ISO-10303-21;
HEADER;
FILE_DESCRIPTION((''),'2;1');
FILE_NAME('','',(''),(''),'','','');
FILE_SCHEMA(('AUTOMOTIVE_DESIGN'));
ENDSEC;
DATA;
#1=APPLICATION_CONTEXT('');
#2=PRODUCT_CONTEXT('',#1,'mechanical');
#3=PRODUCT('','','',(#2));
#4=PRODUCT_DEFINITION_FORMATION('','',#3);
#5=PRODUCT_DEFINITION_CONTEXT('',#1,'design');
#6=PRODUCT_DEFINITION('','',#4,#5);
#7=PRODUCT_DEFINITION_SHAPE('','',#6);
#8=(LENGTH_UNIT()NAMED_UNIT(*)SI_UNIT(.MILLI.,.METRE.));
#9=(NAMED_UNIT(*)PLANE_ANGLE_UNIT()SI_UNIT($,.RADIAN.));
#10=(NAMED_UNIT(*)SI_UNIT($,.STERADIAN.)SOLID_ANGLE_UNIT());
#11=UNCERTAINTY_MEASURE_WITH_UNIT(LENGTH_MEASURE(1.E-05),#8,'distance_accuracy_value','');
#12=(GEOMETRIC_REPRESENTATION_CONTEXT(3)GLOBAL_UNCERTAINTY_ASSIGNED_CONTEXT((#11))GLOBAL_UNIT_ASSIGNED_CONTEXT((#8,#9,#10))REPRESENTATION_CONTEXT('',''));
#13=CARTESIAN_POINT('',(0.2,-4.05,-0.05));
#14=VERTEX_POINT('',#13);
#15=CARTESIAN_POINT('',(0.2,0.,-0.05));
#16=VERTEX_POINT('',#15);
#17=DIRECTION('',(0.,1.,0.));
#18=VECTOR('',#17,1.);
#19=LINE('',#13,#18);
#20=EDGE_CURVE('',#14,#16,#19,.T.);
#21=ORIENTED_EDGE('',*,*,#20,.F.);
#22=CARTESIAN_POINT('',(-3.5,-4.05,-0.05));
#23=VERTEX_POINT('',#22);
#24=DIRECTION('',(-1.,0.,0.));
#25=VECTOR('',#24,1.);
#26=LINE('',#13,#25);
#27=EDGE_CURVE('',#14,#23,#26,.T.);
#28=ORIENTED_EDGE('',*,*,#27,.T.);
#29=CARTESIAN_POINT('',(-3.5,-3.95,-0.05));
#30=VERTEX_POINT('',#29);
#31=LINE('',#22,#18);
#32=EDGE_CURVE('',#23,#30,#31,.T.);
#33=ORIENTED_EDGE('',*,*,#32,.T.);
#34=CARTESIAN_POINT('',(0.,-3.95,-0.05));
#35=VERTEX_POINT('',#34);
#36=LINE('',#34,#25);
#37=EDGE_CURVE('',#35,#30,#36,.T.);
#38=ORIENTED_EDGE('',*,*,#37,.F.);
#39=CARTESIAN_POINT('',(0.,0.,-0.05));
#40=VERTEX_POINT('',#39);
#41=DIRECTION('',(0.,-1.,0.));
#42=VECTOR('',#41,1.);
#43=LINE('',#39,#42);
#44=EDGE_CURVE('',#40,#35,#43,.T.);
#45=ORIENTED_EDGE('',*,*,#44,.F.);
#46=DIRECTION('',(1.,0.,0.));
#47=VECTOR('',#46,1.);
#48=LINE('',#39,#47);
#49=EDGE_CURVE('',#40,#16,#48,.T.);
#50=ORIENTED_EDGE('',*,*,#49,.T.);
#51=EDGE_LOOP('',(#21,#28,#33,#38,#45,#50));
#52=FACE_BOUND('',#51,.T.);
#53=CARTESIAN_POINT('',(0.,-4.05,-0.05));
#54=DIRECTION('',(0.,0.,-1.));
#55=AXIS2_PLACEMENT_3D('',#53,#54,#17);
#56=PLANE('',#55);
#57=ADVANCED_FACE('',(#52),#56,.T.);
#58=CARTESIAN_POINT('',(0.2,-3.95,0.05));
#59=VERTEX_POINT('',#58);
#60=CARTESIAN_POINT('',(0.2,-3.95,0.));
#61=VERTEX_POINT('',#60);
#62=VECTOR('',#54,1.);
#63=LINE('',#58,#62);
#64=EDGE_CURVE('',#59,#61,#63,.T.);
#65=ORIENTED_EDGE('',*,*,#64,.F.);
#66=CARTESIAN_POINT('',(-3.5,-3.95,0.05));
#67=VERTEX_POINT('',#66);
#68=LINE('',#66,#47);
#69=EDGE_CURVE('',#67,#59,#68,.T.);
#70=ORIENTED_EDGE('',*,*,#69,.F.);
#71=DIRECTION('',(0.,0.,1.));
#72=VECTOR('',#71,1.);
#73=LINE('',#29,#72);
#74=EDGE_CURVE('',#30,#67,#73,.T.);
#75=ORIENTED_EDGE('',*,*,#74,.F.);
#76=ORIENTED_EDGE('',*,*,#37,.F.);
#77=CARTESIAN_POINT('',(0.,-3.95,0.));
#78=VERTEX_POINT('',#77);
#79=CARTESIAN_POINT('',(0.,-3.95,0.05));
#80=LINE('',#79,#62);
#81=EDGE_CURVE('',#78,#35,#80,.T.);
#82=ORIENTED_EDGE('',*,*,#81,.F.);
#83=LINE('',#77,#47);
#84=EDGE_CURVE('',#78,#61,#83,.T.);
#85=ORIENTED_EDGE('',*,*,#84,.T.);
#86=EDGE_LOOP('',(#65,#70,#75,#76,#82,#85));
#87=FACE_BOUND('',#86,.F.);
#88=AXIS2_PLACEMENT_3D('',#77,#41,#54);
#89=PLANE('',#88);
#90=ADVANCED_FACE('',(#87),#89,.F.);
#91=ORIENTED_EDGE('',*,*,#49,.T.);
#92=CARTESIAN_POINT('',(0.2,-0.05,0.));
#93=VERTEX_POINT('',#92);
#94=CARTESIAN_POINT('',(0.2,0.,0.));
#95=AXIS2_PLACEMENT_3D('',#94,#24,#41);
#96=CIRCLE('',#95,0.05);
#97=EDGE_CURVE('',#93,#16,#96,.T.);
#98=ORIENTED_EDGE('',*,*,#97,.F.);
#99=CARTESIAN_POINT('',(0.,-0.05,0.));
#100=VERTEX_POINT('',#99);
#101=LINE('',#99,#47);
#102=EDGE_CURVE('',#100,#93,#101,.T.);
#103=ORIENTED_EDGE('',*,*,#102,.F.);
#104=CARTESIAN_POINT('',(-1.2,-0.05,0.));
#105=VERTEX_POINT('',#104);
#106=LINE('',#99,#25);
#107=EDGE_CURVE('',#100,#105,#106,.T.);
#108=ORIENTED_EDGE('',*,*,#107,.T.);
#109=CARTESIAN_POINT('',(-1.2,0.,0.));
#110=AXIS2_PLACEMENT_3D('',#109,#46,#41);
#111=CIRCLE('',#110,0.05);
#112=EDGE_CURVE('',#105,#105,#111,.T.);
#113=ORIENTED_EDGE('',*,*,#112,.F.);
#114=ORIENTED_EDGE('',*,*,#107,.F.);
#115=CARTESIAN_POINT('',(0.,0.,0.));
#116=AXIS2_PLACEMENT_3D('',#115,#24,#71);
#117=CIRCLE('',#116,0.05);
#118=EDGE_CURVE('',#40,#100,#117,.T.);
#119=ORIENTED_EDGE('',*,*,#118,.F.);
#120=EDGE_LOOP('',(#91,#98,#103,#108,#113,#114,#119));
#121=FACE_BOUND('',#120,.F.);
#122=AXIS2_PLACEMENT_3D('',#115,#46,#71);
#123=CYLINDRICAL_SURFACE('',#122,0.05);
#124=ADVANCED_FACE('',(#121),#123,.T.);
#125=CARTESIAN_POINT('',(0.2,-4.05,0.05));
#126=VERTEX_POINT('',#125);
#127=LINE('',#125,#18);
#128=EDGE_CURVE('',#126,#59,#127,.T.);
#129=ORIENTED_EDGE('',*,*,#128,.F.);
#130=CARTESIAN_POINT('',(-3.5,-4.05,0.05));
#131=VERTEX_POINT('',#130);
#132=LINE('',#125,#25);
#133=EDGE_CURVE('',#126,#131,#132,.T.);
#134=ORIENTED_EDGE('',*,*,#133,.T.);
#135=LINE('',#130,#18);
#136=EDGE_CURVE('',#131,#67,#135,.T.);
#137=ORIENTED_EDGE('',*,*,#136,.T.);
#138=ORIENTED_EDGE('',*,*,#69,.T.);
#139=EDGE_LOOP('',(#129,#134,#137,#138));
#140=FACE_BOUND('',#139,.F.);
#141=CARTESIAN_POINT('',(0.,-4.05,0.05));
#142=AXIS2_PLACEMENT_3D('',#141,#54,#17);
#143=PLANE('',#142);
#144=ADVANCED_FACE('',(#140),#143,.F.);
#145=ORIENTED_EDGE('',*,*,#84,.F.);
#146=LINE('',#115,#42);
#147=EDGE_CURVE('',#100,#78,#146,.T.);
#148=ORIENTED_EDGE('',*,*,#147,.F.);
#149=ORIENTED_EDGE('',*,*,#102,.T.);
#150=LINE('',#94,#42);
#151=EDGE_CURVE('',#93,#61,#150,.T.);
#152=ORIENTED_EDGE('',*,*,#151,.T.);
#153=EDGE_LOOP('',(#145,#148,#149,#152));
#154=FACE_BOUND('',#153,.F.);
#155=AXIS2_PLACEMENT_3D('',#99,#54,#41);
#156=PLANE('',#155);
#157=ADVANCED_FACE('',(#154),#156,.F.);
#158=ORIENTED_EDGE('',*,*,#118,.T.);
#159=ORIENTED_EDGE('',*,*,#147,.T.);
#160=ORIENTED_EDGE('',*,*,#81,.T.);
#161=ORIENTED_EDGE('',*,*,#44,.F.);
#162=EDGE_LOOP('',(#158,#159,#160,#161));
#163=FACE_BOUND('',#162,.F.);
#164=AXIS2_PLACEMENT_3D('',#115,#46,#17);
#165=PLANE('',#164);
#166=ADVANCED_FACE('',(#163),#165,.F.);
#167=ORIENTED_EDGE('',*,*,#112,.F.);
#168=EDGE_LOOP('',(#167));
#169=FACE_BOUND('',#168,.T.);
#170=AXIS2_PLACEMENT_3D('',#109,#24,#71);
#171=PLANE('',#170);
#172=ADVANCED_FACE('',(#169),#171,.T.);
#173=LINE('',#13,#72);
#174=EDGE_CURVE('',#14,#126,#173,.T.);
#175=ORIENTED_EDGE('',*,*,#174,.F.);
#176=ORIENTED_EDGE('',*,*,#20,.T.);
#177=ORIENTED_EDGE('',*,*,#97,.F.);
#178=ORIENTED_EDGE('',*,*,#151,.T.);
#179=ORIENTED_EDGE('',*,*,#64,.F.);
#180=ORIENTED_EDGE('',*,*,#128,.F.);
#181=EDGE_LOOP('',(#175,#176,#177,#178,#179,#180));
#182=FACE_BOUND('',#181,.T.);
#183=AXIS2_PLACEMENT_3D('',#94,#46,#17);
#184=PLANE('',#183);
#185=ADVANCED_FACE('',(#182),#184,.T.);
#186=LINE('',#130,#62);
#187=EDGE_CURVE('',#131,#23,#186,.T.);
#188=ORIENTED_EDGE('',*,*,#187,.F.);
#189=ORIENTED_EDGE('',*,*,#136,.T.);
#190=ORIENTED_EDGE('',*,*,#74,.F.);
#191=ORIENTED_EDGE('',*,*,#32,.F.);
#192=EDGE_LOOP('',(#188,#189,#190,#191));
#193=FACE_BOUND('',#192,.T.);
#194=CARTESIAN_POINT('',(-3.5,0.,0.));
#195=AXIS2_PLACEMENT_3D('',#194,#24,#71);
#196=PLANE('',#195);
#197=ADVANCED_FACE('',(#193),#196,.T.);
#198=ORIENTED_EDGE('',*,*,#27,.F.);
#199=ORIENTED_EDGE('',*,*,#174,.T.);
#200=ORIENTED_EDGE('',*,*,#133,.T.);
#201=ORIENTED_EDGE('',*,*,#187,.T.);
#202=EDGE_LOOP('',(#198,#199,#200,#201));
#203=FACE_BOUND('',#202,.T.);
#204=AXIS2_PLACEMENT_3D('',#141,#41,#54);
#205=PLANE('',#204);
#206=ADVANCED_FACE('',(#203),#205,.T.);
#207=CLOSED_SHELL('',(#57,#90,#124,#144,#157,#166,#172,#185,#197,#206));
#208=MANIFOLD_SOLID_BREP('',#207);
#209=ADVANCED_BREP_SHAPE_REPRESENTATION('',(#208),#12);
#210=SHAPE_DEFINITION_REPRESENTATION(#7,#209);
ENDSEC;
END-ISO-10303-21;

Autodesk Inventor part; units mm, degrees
ref_plane "YZ Plane" through (0, 0, 0) normal (1, 0, 0) x (0, 1, 0)
ref_plane "XZ Plane" through (0, 0, 0) normal (0, 1, 0) x (-1, 0, 0)
ref_plane "XY Plane" through (0, 0, 0) normal (0, 0, 1) x (1, 0, 0)
sketch "Sketch1" plane through (0, 0, 0) normal (1, 0, 0) x (0, 1, 0)
  circle A0 centre (0, 0) radius 0.05
  line L0 (0, 0) -> (-4, 0)
  line L1 (-4.05, 0.05) -> (-3.95, 0.05)
  line L2 (-3.95, 0.05) -> (-3.95, -0.05)
  line L3 (-3.95, -0.05) -> (-4.05, -0.05)
  line L4 (-4.05, -0.05) -> (-4.05, 0.05)
  line L5 (-4.05, 0.05) -> (-3.95, -0.05) construction
  line L6 (-3.95, 0.05) -> (-4.05, -0.05) construction
  line L7 (-3.95, -0.05) -> (0, -0.05)
  point P0 (-0.05, 0)
  point P1 (-3.95, 0)
  dimension "d0" = 0.1
  dimension "d1" = 4
  dimension "d2" = 0.1
  dimension "d3" = 0.1
extrude "Extrusion1" add sketch "Sketch1" along normal blind 0.2
sketch "Sketch2" plane through (0, 0, 0) normal (-1, 0, 0) x (0, 0, 1)
  arc A0 (0, -0.05) -> (-0.05, 0) centre (0, 0) ccw projected
  circle A1 centre (0, 0) radius 0.05
  point P0 (-0.05, 0)
  point P1 (0, -0.05)
  dimension "d6" = 0.1
extrude "Extrusion2" add sketch "Sketch2" along normal blind 1.2
sketch "Sketch3" plane through (0, 0, 0) normal (-1, 0, 0) x (0, 0, 1)
  line L0 (-0.05, -4.05) -> (-0.05, 0) projected
  line L1 (0.05, -4.05) -> (-0.05, -4.05) projected
  line L2 (-0.05, -4.05) -> (0.05, -4.05)
  line L3 (0, -3.95) -> (0.05, -3.95) projected
  line L4 (0.05, -4.05) -> (0.05, -3.95)
  line L5 (0.05, -3.95) -> (-0.05, -3.95)
  line L6 (-0.05, -3.95) -> (-0.05, -4.05)
  point P0 (0, 0)
extrude "Extrusion3" add sketch "Sketch3" along normal blind 3.5
properties part number "Bone26_25_Fix"
